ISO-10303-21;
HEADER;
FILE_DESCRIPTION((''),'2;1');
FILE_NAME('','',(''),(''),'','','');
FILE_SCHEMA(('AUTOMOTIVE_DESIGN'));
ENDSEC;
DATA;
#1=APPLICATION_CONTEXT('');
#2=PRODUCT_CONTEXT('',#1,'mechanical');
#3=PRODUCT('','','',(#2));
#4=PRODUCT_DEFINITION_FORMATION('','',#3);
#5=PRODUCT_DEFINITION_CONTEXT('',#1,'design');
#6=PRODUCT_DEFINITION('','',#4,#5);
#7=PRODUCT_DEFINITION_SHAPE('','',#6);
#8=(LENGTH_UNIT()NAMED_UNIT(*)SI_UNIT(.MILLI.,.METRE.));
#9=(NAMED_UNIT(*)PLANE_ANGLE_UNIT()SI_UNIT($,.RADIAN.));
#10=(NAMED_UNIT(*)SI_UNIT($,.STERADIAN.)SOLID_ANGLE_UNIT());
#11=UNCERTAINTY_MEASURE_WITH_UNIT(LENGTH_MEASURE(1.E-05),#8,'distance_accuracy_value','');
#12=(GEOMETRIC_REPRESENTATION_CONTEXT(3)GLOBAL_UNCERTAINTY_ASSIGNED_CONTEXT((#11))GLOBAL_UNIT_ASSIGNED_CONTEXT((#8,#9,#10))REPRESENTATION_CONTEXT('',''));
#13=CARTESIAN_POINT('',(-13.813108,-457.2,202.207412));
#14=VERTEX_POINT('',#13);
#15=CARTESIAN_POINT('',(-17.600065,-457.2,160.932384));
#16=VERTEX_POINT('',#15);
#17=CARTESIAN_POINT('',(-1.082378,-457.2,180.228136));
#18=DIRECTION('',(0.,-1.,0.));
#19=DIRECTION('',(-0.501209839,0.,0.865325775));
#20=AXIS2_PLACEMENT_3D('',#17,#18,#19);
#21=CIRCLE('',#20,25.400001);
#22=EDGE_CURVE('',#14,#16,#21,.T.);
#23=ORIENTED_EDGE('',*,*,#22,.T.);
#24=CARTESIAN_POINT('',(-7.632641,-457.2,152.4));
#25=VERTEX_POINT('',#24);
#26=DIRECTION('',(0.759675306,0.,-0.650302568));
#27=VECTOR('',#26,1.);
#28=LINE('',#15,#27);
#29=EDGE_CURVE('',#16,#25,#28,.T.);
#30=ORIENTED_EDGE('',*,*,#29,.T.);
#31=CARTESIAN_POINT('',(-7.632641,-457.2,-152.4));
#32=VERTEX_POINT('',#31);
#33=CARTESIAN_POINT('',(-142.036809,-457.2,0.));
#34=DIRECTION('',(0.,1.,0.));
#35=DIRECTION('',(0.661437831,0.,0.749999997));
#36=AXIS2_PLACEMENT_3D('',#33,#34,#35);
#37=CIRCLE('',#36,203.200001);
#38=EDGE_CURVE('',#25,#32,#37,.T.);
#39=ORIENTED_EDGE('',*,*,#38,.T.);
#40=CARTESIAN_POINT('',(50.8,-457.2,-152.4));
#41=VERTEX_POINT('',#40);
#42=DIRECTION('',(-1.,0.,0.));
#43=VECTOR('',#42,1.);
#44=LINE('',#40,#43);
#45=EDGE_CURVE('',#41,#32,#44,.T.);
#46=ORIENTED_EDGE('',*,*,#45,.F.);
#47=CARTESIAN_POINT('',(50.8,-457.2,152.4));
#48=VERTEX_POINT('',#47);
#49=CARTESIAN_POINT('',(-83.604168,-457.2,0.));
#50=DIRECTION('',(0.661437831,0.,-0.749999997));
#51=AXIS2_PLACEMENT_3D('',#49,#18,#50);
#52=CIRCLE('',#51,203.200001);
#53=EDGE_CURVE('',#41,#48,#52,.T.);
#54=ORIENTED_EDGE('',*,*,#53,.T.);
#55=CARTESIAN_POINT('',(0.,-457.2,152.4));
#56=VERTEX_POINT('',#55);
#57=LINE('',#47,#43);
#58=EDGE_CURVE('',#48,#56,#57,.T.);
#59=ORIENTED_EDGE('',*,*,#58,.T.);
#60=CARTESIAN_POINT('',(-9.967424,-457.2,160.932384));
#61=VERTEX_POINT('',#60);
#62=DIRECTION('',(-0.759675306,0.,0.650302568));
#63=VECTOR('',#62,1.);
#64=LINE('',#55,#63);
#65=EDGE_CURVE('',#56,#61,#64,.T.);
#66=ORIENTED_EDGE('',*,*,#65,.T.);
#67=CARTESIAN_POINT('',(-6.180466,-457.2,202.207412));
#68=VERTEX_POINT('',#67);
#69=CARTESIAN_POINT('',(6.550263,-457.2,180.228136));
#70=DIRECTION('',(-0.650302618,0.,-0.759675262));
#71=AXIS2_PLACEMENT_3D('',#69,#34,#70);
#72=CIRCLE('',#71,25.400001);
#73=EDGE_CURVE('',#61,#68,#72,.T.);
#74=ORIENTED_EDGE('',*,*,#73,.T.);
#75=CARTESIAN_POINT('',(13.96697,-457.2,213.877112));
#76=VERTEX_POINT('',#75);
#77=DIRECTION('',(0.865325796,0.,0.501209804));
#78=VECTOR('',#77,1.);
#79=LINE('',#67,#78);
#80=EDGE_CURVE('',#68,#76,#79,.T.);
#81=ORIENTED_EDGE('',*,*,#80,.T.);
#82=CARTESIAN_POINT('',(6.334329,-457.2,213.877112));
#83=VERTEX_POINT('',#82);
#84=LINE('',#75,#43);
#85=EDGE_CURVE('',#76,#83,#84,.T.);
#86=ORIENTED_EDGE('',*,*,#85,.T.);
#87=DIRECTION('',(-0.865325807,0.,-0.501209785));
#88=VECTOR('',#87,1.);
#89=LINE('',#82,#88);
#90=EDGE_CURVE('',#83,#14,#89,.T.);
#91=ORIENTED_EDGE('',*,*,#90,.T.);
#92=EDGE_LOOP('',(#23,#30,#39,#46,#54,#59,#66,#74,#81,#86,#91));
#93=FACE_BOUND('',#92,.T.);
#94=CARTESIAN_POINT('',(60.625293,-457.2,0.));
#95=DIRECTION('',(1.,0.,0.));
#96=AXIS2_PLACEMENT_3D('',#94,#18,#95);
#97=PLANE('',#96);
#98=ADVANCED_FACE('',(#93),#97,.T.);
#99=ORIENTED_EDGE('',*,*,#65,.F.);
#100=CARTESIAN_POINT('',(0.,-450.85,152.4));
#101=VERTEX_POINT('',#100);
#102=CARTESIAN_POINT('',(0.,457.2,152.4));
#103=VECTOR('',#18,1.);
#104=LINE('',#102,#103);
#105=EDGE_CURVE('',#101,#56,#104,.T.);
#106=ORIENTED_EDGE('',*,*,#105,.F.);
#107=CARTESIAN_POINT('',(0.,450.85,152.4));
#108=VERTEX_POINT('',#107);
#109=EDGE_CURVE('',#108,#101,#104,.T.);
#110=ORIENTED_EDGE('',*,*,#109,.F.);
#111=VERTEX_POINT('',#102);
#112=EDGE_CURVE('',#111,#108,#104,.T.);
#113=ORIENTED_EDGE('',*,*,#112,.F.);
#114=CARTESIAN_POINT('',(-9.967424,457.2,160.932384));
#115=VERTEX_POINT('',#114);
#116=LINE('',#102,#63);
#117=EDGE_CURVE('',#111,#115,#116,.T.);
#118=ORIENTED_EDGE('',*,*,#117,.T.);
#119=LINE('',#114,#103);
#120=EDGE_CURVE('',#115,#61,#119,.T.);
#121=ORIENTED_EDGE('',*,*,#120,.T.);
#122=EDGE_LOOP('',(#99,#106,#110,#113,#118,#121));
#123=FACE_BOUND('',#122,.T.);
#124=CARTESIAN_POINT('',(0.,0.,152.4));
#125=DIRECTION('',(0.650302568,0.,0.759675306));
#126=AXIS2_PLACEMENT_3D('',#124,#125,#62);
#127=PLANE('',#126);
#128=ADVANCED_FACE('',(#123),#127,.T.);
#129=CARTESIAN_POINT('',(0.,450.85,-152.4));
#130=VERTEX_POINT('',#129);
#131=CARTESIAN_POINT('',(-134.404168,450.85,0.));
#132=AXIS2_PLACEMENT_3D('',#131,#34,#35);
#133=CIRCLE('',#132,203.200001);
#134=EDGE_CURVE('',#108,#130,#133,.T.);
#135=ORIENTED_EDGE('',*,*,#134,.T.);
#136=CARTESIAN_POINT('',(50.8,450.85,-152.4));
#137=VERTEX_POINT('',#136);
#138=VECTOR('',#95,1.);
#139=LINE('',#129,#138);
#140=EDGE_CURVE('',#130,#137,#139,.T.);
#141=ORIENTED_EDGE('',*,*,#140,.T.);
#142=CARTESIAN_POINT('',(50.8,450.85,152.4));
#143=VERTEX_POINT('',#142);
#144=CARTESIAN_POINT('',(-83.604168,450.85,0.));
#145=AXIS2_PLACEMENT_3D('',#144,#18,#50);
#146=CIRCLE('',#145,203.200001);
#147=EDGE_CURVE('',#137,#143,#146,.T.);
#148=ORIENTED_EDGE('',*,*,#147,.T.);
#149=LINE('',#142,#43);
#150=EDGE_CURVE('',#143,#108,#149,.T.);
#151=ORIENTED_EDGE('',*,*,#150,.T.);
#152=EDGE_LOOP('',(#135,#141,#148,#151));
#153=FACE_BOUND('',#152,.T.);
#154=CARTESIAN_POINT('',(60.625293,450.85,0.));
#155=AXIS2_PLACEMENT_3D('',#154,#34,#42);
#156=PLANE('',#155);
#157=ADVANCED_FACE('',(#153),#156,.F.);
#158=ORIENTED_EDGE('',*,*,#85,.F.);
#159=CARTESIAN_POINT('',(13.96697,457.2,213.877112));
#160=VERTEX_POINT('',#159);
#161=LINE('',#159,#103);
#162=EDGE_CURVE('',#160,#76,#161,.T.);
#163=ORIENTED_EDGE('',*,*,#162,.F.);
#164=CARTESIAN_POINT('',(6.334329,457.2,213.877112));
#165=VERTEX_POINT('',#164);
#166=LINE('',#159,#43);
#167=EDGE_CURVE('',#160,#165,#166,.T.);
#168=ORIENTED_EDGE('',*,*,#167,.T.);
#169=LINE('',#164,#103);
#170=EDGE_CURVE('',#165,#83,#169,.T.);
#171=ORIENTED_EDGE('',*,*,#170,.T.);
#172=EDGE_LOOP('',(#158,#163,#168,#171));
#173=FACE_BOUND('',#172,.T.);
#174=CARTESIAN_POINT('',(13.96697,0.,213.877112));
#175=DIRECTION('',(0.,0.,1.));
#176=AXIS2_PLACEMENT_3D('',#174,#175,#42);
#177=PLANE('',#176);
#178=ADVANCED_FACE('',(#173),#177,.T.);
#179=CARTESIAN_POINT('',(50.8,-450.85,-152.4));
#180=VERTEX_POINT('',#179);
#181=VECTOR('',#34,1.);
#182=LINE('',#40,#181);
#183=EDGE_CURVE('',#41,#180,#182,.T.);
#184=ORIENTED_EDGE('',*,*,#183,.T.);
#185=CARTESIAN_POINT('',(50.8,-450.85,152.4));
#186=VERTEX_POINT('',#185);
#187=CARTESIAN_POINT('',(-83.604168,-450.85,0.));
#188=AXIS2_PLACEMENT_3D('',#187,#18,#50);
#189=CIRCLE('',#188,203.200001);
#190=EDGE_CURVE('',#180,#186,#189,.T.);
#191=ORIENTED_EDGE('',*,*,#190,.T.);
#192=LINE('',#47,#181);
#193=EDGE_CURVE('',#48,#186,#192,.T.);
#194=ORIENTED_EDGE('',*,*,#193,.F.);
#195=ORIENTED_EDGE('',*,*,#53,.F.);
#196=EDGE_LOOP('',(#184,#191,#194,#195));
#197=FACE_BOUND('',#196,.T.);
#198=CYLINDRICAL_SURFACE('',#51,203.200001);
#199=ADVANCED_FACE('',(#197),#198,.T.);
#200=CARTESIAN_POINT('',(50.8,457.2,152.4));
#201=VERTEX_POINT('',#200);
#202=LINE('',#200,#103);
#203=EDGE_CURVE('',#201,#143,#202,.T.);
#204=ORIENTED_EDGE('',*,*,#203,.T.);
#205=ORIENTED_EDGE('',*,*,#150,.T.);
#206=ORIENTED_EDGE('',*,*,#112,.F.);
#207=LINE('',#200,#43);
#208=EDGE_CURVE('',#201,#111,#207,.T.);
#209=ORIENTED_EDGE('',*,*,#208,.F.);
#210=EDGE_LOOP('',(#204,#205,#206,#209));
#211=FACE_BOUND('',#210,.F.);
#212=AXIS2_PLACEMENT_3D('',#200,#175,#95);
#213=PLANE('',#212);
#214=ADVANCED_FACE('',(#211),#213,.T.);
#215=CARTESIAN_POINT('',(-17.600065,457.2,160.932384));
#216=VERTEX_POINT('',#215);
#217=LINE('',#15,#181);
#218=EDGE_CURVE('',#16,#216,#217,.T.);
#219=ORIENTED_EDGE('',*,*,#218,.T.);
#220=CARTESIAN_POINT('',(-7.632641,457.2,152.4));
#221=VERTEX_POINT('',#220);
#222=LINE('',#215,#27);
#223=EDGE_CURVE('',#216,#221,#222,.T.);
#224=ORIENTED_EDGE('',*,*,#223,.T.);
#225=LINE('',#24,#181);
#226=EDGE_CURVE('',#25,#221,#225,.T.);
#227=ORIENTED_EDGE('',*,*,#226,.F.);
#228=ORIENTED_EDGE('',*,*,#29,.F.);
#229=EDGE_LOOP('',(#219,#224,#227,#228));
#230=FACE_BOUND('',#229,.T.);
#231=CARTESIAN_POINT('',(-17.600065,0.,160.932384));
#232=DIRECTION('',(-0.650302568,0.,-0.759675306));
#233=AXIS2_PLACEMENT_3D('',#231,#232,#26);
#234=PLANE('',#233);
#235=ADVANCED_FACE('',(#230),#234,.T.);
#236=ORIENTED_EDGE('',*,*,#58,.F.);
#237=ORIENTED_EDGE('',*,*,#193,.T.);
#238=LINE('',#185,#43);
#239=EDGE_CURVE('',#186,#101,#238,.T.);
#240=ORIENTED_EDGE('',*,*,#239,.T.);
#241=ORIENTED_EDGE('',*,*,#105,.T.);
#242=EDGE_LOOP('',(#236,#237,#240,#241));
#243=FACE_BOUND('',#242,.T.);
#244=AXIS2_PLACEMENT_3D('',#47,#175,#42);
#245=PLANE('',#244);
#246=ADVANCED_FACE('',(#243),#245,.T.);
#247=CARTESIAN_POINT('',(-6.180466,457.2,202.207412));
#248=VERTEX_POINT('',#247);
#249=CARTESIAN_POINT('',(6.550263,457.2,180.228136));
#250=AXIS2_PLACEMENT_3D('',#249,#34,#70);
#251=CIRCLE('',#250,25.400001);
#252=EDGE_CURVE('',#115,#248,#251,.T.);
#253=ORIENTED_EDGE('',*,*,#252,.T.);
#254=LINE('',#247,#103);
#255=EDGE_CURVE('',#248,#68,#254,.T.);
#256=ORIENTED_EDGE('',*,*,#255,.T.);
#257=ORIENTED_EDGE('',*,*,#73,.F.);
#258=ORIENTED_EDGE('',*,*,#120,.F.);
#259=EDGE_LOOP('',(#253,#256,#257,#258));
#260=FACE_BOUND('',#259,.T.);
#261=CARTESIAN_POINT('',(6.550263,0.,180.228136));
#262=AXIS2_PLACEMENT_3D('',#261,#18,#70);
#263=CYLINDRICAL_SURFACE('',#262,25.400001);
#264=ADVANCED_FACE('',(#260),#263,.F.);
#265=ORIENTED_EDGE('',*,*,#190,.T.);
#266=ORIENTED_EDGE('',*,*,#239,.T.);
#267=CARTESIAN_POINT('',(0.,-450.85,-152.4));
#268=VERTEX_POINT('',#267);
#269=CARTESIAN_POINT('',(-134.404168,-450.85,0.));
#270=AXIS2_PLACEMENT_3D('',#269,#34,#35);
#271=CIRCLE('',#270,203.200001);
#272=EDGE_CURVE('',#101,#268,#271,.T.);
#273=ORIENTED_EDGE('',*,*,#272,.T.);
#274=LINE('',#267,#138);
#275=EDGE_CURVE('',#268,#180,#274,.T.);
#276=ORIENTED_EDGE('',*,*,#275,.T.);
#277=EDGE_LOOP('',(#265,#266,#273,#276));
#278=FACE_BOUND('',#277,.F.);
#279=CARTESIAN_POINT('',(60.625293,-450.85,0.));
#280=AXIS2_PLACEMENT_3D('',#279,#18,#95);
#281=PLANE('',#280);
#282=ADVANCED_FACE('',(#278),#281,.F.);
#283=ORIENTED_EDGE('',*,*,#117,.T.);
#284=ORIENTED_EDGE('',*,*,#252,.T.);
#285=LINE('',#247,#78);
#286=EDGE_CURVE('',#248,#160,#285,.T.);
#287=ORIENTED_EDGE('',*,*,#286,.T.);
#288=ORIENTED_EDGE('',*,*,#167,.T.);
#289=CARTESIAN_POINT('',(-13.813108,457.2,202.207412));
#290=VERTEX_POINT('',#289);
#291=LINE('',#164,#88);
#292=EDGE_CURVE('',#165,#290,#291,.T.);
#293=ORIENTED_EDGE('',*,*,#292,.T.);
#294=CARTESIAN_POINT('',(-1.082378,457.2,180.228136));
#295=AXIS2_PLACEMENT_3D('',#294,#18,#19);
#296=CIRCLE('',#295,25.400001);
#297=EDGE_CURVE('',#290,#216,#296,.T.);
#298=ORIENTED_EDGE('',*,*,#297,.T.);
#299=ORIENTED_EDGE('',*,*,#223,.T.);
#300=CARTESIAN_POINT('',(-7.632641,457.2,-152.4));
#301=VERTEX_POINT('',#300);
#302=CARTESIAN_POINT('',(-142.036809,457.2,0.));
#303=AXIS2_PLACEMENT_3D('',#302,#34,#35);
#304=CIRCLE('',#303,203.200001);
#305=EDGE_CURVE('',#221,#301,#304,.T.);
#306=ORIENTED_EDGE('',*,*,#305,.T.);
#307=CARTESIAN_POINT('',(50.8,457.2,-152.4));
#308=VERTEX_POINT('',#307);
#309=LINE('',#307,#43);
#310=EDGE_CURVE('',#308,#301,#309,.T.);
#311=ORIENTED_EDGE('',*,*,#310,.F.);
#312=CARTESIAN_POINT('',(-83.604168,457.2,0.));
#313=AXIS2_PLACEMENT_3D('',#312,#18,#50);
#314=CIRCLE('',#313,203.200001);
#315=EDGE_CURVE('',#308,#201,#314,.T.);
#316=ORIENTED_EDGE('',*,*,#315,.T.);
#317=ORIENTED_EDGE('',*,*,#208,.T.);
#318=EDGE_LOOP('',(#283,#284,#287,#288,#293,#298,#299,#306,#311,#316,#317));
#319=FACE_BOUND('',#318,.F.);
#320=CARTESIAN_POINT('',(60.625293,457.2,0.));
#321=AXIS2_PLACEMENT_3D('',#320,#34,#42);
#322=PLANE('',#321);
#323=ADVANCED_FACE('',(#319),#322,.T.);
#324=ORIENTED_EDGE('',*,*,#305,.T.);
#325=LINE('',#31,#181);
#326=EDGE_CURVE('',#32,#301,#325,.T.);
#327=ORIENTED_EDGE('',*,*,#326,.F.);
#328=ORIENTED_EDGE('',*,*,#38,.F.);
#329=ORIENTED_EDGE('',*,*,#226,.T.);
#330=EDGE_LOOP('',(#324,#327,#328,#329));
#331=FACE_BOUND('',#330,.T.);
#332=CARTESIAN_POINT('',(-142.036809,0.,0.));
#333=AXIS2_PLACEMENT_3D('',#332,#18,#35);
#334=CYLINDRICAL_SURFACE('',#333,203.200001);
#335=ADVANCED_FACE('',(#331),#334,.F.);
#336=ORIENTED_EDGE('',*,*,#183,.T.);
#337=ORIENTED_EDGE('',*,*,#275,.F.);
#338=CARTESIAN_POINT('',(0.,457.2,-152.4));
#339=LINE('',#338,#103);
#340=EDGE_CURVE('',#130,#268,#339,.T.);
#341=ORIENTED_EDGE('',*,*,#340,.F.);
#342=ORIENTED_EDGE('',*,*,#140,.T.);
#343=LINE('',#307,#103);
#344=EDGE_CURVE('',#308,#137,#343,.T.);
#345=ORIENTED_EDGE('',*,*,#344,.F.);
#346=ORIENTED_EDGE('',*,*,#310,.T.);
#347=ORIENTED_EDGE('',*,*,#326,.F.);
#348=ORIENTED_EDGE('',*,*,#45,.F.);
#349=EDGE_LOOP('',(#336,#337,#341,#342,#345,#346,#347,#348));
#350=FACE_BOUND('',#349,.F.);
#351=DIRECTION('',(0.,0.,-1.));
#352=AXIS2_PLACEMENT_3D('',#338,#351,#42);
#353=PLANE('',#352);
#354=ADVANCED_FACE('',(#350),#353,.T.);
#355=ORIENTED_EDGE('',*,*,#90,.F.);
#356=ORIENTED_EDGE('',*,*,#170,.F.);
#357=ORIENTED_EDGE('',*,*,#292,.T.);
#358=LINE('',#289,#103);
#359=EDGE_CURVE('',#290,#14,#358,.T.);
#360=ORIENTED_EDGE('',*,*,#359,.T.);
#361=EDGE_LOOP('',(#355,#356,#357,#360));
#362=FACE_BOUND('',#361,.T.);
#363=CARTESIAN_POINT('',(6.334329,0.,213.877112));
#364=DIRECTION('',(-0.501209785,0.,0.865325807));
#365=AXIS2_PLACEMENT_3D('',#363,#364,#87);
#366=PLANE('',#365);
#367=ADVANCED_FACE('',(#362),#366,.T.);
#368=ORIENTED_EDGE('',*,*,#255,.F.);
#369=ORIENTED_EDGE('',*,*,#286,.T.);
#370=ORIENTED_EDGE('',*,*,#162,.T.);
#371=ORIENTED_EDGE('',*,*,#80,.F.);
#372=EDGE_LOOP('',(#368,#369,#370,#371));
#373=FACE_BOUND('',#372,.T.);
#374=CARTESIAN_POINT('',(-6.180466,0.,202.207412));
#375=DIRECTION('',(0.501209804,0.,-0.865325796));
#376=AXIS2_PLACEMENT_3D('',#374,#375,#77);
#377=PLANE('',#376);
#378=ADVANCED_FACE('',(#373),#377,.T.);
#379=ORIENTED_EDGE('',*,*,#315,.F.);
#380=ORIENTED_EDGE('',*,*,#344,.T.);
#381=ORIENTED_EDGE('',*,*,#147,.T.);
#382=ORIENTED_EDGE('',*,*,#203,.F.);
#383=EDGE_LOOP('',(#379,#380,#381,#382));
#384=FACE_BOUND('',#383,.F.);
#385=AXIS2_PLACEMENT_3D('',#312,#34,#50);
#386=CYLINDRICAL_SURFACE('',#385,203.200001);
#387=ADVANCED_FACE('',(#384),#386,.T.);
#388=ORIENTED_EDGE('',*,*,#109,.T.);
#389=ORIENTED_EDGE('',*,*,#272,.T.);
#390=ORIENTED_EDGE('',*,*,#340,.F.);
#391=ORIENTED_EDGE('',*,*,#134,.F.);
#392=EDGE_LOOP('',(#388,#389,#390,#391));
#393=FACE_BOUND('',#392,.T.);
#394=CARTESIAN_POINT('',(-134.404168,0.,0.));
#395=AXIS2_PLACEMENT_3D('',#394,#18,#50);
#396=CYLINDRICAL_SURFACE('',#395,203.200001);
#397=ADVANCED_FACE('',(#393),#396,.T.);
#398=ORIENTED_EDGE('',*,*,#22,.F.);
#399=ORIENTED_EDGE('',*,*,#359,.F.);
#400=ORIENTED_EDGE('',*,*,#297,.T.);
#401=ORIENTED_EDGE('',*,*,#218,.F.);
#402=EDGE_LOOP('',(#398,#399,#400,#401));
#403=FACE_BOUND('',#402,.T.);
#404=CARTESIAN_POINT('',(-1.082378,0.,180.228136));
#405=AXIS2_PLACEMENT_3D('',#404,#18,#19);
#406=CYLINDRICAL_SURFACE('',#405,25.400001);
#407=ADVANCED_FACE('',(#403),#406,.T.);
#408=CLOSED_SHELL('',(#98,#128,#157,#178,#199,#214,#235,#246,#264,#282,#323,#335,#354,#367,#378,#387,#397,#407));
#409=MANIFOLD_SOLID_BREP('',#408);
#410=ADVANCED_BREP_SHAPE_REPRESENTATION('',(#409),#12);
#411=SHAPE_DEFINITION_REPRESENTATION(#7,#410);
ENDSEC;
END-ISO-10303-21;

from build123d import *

# Parameters (mm, degrees)
F1_DEPTH = 457.2
F3_DEPTH = 6.35


with BuildPart() as f1:
    # F0 (on Front) → F1 (new body, symmetric)
    with BuildSketch(Plane.XZ):
        with BuildLine():
            Line((-7.632641, -152.4), (0, -152.4))
            ThreePointArc((0, -152.4), (68.795833, 0), (0, 152.4))
            Line((0, 152.4), (-9.967424, 160.932384))
            ThreePointArc((-9.967424, 160.932384), (-18.7435, 182.548823), (-6.180466, 202.207412))
            Line((-6.180466, 202.207412), (13.96697, 213.877112))
            Line((13.96697, 213.877112), (6.334329, 213.877112))
            Line((6.334329, 213.877112), (-13.813108, 202.207412))
            ThreePointArc((-13.813108, 202.207412), (-26.376141, 182.548823), (-17.600065, 160.932384))
            Line((-17.600065, 160.932384), (-7.632641, 152.4))
            ThreePointArc((-7.632641, 152.4), (61.163192, 0), (-7.632641, -152.4))
        make_face()
    extrude(amount=F1_DEPTH, both=True)

    # F2 (on face) → F3 (join)
    with BuildSketch(Plane.XZ.offset(457.2)):
        with BuildLine():
            Line((50.8, 152.4), (0, 152.4))
            ThreePointArc((0, 152.4), (68.795833, 0), (0, -152.4))
            Line((0, -152.4), (50.8, -152.4))
            ThreePointArc((50.8, -152.4), (119.595833, 0), (50.8, 152.4))
        make_face()
    extrude(amount=-F3_DEPTH)

    # F4: F1 across plane


with BuildPart() as f1_1:
    add(f1.part)
    add(f1.part.mirror(Plane.XZ))


solid = f1_1.part
